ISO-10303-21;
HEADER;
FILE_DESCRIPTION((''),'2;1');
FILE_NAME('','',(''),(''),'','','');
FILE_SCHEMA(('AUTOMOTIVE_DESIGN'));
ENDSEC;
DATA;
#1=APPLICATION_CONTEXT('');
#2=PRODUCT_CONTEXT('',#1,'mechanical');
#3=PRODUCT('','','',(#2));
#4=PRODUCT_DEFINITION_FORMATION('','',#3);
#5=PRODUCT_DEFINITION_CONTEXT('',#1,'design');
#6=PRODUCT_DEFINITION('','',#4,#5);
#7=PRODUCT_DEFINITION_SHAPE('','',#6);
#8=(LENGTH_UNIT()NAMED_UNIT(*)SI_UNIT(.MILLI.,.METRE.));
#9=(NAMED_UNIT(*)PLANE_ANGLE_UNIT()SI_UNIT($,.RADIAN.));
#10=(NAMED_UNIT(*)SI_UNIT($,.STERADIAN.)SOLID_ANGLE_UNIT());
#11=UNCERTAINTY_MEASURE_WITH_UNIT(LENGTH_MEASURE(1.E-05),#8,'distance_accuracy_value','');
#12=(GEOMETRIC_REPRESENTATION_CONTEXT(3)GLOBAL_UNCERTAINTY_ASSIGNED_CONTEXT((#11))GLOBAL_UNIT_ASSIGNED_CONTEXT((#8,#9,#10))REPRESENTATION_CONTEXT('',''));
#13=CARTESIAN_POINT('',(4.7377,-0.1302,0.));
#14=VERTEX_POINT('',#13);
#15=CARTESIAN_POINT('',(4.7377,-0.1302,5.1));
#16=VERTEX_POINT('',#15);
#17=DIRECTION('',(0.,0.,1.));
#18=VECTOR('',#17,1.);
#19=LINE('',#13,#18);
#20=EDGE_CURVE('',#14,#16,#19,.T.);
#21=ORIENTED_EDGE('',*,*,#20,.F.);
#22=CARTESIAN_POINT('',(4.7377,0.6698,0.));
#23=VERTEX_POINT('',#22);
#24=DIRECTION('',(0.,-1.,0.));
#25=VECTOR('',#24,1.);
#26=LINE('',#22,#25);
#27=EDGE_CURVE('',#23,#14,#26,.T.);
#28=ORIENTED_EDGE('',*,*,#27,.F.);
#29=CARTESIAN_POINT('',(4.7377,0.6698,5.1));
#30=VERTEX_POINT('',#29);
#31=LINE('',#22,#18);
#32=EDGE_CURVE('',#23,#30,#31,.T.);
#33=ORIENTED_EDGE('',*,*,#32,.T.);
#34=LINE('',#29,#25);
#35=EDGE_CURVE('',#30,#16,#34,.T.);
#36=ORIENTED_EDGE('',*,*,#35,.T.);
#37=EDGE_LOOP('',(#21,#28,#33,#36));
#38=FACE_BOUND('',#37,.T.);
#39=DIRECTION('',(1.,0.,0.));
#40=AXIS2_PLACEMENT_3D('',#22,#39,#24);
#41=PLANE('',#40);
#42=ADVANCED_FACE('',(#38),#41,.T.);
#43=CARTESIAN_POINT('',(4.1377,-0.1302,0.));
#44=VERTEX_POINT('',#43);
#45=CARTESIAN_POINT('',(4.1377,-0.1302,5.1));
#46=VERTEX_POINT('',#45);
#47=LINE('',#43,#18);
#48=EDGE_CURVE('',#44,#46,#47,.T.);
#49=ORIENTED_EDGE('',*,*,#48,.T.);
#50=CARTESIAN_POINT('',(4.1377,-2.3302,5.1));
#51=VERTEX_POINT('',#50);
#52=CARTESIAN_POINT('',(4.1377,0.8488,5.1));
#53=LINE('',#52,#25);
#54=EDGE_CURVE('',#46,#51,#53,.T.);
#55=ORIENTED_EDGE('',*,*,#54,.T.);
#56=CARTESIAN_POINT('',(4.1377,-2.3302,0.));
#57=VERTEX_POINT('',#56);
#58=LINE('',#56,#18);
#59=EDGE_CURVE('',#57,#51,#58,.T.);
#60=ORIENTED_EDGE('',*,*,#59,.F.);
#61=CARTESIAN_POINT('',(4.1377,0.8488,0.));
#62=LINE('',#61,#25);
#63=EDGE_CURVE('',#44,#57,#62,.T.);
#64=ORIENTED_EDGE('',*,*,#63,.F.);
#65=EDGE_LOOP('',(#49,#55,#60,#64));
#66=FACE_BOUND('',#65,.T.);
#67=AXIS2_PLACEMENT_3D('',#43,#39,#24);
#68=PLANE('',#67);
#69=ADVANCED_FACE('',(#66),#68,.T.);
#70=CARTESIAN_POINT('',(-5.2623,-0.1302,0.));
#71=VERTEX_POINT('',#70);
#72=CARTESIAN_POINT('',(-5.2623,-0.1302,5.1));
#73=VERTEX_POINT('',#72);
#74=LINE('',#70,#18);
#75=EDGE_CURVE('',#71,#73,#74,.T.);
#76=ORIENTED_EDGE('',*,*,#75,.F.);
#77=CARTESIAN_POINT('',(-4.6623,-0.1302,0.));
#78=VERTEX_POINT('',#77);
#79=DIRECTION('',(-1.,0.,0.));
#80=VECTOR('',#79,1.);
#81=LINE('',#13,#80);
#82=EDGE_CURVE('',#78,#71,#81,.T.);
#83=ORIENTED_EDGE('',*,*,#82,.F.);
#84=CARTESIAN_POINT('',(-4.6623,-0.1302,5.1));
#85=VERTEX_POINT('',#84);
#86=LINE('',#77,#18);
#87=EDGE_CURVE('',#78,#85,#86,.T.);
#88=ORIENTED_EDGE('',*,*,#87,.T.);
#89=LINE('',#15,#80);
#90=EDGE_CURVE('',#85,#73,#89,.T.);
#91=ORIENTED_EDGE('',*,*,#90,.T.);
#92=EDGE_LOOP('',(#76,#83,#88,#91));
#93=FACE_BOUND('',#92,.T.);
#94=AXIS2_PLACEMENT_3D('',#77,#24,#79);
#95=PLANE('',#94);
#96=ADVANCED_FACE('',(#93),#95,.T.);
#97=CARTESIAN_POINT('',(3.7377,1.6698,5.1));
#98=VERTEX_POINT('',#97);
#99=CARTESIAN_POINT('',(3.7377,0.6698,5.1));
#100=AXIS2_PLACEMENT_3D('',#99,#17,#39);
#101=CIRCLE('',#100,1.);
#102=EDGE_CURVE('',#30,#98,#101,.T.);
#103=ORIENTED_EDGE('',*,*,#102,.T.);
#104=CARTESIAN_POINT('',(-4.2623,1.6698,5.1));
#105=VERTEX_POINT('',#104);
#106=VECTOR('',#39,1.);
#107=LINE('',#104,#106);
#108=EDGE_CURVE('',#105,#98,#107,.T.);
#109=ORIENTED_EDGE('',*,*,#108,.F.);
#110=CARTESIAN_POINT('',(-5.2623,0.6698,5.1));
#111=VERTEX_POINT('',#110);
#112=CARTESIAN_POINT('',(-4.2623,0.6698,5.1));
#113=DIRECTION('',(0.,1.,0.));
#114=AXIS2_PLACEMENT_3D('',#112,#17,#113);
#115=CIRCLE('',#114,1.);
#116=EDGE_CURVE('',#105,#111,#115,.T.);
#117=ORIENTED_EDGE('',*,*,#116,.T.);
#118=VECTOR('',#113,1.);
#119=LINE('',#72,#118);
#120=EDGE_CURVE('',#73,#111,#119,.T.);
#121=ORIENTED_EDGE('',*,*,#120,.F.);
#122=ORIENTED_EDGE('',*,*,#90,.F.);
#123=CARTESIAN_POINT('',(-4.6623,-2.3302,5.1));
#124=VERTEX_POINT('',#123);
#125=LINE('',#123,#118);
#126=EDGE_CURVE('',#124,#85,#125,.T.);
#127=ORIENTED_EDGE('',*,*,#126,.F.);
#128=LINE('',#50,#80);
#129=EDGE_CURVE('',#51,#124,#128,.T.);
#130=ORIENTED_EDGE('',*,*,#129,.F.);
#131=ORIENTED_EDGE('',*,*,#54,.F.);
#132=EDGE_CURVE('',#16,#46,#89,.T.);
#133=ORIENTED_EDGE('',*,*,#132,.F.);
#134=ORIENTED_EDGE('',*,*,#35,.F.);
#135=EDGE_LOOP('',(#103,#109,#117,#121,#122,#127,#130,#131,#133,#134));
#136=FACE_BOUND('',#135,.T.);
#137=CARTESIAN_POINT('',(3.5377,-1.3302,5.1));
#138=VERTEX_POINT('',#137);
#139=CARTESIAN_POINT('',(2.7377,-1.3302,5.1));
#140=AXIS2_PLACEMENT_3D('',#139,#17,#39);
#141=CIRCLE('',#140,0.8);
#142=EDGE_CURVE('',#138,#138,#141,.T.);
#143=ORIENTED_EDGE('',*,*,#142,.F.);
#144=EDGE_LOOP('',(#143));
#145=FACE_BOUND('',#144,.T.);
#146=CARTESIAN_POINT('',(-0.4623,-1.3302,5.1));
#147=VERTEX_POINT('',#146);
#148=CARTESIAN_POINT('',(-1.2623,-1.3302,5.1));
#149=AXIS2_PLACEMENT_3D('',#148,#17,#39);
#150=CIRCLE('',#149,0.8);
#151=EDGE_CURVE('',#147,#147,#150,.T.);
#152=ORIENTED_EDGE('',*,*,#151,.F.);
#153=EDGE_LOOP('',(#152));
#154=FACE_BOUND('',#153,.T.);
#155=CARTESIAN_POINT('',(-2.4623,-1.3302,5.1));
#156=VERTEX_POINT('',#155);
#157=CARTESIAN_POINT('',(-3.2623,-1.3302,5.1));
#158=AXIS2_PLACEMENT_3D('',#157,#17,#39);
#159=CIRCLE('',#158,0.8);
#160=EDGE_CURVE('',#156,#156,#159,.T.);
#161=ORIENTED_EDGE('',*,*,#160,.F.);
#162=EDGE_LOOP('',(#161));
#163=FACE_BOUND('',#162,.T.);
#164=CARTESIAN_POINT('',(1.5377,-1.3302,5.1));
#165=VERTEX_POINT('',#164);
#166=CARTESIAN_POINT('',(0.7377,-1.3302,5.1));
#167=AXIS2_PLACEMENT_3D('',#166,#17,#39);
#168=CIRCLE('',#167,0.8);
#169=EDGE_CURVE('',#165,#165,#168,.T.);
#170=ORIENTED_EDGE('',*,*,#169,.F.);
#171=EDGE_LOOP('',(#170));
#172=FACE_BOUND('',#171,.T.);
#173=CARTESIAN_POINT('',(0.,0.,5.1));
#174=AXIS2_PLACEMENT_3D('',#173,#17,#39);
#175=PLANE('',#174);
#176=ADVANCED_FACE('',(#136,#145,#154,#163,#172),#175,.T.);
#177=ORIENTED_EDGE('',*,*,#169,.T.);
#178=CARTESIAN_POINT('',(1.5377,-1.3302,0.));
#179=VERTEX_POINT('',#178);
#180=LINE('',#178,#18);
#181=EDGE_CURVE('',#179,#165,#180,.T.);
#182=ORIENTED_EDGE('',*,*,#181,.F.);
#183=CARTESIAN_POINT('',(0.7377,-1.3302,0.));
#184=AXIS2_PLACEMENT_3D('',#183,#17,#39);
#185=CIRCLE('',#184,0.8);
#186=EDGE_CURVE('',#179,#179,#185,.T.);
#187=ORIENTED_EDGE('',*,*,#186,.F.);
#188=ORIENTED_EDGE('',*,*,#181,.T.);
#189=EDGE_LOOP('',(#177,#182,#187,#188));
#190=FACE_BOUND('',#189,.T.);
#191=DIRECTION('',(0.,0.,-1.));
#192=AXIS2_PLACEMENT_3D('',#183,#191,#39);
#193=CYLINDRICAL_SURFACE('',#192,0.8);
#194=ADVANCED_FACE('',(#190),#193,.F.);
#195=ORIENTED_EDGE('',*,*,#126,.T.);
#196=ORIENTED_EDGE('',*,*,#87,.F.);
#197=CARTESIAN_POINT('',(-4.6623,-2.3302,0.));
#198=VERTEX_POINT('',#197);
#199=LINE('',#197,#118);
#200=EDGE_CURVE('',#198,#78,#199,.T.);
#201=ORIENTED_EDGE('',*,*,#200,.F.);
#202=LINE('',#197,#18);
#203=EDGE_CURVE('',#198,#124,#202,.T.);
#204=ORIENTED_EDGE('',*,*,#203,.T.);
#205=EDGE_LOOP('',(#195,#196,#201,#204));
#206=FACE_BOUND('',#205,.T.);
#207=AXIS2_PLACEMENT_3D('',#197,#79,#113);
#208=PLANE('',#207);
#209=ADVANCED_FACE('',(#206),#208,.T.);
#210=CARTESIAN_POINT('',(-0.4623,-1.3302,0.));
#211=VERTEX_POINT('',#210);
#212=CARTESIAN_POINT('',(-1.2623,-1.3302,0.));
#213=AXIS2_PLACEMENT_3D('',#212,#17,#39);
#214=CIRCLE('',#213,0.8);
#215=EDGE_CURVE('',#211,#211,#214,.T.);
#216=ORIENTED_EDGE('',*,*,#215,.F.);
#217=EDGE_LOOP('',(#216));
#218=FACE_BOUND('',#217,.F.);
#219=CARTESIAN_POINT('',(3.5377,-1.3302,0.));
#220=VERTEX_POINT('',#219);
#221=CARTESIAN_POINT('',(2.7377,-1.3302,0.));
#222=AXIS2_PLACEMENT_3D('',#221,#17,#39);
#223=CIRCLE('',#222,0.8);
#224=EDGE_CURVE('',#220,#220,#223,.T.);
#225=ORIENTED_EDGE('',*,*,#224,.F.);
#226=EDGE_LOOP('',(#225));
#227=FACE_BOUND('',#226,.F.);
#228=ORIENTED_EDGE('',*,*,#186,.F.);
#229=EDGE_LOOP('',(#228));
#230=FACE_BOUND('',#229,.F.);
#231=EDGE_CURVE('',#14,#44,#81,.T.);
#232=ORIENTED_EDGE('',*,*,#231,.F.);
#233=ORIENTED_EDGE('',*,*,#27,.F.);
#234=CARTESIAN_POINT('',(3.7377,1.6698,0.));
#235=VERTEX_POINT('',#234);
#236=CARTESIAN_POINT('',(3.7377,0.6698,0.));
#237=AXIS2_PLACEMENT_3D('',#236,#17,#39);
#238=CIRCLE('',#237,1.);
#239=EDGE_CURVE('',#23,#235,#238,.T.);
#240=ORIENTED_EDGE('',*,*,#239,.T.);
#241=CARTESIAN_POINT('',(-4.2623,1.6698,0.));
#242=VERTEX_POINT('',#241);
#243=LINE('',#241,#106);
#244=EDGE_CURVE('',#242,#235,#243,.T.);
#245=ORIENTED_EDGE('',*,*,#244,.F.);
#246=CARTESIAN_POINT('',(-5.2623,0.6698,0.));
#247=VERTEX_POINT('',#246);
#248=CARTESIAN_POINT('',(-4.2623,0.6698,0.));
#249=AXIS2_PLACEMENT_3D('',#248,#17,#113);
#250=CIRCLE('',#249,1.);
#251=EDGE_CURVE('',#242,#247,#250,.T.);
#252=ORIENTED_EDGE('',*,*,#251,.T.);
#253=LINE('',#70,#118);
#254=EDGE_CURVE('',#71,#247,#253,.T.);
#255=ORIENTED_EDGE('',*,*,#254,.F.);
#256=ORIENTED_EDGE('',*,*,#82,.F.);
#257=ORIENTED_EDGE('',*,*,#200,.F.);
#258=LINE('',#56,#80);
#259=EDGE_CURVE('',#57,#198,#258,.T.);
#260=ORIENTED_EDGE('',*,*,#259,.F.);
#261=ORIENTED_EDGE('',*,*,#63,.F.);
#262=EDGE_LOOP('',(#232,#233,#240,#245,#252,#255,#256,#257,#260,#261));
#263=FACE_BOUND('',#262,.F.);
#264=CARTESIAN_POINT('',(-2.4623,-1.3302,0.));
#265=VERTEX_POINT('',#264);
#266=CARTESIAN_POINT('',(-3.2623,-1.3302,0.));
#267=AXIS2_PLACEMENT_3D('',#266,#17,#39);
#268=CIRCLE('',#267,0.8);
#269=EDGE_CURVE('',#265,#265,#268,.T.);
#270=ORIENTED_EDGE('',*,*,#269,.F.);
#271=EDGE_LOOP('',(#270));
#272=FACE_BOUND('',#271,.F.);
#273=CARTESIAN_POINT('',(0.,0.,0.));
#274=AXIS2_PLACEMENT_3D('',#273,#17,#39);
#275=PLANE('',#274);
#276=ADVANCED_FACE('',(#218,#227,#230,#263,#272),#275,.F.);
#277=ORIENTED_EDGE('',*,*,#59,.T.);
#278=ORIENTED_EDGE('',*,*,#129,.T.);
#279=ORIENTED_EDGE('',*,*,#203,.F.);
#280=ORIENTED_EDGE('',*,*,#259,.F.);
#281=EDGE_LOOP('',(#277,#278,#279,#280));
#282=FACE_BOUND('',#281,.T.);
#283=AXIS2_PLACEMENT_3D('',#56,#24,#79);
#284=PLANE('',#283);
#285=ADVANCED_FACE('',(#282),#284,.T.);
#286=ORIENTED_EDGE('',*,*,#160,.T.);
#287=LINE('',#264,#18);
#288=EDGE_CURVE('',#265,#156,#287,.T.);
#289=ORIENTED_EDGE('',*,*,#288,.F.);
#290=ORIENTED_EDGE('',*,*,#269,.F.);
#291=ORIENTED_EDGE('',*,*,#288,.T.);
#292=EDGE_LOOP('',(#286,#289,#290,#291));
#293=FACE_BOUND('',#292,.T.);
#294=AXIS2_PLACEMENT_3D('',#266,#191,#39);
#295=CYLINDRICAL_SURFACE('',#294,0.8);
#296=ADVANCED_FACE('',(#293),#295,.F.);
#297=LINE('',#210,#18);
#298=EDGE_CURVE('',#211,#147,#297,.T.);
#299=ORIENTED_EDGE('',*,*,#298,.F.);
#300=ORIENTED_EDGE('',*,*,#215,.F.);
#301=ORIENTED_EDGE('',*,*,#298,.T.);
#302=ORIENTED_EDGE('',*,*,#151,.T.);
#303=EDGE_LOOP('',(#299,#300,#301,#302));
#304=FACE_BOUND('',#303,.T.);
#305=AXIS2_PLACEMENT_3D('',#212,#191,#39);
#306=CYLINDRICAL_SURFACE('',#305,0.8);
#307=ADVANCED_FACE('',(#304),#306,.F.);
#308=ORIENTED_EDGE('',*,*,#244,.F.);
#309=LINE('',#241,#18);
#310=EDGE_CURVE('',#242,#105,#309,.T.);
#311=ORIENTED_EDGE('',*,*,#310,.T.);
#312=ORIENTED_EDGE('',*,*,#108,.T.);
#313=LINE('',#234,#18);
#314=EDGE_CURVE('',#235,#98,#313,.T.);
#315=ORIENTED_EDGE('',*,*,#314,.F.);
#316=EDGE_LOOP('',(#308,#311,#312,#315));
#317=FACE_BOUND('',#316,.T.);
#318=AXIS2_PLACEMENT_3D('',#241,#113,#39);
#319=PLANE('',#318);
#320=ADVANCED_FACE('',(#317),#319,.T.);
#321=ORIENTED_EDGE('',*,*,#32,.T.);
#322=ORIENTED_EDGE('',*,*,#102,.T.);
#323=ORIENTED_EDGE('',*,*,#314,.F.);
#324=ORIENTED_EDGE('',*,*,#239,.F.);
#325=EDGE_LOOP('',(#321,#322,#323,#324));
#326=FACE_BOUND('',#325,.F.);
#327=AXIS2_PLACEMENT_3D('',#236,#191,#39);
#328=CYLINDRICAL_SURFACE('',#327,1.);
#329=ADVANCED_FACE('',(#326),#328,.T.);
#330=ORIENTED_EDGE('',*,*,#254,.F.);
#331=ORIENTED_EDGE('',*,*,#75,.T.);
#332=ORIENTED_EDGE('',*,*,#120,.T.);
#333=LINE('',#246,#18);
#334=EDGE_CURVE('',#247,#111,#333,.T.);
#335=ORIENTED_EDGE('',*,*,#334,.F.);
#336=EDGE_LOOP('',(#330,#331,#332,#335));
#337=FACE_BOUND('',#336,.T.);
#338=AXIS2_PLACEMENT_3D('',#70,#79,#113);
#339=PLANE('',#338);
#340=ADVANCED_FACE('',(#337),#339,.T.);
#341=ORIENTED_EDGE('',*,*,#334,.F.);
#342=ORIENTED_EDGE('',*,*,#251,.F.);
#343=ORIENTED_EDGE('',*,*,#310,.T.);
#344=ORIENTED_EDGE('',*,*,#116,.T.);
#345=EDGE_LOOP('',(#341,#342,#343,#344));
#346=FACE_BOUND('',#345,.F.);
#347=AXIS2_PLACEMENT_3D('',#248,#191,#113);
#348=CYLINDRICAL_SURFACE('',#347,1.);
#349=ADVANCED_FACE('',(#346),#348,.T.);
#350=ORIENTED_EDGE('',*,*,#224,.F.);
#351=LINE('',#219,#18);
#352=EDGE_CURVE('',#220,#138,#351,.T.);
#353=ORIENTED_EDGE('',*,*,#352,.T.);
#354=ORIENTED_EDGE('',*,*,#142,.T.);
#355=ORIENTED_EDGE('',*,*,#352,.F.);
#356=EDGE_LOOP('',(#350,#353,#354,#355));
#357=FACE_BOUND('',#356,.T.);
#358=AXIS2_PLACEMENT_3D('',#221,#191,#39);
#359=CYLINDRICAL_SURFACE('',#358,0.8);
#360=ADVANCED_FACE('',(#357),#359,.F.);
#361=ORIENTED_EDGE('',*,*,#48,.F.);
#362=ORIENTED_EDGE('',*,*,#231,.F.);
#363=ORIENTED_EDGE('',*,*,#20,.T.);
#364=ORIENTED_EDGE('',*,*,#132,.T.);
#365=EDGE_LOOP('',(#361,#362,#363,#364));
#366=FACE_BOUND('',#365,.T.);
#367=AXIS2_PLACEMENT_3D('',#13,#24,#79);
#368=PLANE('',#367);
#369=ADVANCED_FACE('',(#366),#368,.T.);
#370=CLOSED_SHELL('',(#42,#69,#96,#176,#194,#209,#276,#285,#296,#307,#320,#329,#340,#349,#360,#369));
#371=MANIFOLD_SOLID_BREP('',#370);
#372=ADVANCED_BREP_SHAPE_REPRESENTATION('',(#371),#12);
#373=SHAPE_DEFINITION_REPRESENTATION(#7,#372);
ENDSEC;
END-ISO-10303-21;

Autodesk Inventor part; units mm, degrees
ref_plane "YZ Plane" through (0, 0, 0) normal (1, 0, 0) x (0, 1, 0)
ref_plane "XZ Plane" through (0, 0, 0) normal (0, 1, 0) x (-1, 0, 0)
ref_plane "XY Plane" through (0, 0, 0) normal (0, 0, 1) x (1, 0, 0)
sketch "Sketch1" plane through (0, 0, 0) normal (0, 0, 1) x (1, 0, 0)
  line L0 (-4.6623, 0.8488) -> (4.1377, 0.8488)
  line L1 (4.1377, 0.8488) -> (4.1377, -2.3302)
  line L2 (4.1377, -2.3302) -> (-4.6623, -2.3302)
  line L3 (-4.6623, -2.3302) -> (-4.6623, 0.8488)
  line L4 (-4.2623, 1.6698) -> (3.7377, 1.6698)
  line L5 (4.7377, 0.6698) -> (4.7377, -0.1302)
  line L6 (4.7377, -0.1302) -> (-5.2623, -0.1302)
  line L7 (-5.2623, -0.1302) -> (-5.2623, 0.6698)
  arc A0 (-4.2623, 1.6698) -> (-5.2623, 0.6698) centre (-4.2623, 0.6698) ccw
  arc A1 (4.7377, 0.6698) -> (3.7377, 1.6698) centre (3.7377, 0.6698) ccw
  circle A2 centre (-3.2623, -1.3302) radius 0.8
  line L8 (-3.2623, -1.3302) -> (2.6542, -1.3302) construction
  circle A3 centre (-1.2623, -1.3302) radius 0.8
  circle A4 centre (0.7377, -1.3302) radius 0.8
  circle A5 centre (2.7377, -1.3302) radius 0.8
  point P0 (0, 0)
  point P1 (-5.2623, 1.6698)
  point P2 (4.7377, 1.6698)
  dimension "d0" = 10
  dimension "d1" = 4
  dimension "d2" = 8.8
  dimension "d3" = 0.6
  dimension "d4" = 1.8
  dimension "d7" = 1
  dimension "d8" = 1
  dimension "d9" = 1.6
  dimension "d10" = 1.6
  dimension "d11" = 1.6
  dimension "d12" = 1.6
  dimension "d13" = 2
  dimension "d14" = 2
  dimension "d15" = 2
  dimension "d16" = 2
extrude "Extrusion1" add sketch "Sketch1" along normal blind 5.1
sketch "Sketch3" plane through (-4.2623, 1.6698, 0) normal (0, 1, 0) x (1, 0, 0)
  line L0 (8, 0) -> (0, 0) projected
  line L1 (0, 0) -> (0, -5.1) projected
  line L2 (8, -5.1) -> (0, -5.1) projected
  line L3 (8, 0) -> (8, -5.1) projected
  circle A0 centre (11.8741, -0.2668) radius 4.9
  circle A1 centre (11.8741, -0.2668) radius 5.145
  circle A2 centre (11.8741, -0.2668) radius 4.655
  circle A3 centre (-3.7362, 0) radius 4.9
  circle A4 centre (-3.7362, 0) radius 5.145
  circle A5 centre (-3.7362, 0) radius 4.655
  point P0 (4.2623, 0)
  dimension "d17" = 9.8
  dimension "d18" = 9.31
  dimension "d19" = 10.29
  dimension "d23" = 9.8
  dimension "d24" = 9.31
  dimension "d25" = 10.29
properties part number "2mmWireBoardConn_plug"
